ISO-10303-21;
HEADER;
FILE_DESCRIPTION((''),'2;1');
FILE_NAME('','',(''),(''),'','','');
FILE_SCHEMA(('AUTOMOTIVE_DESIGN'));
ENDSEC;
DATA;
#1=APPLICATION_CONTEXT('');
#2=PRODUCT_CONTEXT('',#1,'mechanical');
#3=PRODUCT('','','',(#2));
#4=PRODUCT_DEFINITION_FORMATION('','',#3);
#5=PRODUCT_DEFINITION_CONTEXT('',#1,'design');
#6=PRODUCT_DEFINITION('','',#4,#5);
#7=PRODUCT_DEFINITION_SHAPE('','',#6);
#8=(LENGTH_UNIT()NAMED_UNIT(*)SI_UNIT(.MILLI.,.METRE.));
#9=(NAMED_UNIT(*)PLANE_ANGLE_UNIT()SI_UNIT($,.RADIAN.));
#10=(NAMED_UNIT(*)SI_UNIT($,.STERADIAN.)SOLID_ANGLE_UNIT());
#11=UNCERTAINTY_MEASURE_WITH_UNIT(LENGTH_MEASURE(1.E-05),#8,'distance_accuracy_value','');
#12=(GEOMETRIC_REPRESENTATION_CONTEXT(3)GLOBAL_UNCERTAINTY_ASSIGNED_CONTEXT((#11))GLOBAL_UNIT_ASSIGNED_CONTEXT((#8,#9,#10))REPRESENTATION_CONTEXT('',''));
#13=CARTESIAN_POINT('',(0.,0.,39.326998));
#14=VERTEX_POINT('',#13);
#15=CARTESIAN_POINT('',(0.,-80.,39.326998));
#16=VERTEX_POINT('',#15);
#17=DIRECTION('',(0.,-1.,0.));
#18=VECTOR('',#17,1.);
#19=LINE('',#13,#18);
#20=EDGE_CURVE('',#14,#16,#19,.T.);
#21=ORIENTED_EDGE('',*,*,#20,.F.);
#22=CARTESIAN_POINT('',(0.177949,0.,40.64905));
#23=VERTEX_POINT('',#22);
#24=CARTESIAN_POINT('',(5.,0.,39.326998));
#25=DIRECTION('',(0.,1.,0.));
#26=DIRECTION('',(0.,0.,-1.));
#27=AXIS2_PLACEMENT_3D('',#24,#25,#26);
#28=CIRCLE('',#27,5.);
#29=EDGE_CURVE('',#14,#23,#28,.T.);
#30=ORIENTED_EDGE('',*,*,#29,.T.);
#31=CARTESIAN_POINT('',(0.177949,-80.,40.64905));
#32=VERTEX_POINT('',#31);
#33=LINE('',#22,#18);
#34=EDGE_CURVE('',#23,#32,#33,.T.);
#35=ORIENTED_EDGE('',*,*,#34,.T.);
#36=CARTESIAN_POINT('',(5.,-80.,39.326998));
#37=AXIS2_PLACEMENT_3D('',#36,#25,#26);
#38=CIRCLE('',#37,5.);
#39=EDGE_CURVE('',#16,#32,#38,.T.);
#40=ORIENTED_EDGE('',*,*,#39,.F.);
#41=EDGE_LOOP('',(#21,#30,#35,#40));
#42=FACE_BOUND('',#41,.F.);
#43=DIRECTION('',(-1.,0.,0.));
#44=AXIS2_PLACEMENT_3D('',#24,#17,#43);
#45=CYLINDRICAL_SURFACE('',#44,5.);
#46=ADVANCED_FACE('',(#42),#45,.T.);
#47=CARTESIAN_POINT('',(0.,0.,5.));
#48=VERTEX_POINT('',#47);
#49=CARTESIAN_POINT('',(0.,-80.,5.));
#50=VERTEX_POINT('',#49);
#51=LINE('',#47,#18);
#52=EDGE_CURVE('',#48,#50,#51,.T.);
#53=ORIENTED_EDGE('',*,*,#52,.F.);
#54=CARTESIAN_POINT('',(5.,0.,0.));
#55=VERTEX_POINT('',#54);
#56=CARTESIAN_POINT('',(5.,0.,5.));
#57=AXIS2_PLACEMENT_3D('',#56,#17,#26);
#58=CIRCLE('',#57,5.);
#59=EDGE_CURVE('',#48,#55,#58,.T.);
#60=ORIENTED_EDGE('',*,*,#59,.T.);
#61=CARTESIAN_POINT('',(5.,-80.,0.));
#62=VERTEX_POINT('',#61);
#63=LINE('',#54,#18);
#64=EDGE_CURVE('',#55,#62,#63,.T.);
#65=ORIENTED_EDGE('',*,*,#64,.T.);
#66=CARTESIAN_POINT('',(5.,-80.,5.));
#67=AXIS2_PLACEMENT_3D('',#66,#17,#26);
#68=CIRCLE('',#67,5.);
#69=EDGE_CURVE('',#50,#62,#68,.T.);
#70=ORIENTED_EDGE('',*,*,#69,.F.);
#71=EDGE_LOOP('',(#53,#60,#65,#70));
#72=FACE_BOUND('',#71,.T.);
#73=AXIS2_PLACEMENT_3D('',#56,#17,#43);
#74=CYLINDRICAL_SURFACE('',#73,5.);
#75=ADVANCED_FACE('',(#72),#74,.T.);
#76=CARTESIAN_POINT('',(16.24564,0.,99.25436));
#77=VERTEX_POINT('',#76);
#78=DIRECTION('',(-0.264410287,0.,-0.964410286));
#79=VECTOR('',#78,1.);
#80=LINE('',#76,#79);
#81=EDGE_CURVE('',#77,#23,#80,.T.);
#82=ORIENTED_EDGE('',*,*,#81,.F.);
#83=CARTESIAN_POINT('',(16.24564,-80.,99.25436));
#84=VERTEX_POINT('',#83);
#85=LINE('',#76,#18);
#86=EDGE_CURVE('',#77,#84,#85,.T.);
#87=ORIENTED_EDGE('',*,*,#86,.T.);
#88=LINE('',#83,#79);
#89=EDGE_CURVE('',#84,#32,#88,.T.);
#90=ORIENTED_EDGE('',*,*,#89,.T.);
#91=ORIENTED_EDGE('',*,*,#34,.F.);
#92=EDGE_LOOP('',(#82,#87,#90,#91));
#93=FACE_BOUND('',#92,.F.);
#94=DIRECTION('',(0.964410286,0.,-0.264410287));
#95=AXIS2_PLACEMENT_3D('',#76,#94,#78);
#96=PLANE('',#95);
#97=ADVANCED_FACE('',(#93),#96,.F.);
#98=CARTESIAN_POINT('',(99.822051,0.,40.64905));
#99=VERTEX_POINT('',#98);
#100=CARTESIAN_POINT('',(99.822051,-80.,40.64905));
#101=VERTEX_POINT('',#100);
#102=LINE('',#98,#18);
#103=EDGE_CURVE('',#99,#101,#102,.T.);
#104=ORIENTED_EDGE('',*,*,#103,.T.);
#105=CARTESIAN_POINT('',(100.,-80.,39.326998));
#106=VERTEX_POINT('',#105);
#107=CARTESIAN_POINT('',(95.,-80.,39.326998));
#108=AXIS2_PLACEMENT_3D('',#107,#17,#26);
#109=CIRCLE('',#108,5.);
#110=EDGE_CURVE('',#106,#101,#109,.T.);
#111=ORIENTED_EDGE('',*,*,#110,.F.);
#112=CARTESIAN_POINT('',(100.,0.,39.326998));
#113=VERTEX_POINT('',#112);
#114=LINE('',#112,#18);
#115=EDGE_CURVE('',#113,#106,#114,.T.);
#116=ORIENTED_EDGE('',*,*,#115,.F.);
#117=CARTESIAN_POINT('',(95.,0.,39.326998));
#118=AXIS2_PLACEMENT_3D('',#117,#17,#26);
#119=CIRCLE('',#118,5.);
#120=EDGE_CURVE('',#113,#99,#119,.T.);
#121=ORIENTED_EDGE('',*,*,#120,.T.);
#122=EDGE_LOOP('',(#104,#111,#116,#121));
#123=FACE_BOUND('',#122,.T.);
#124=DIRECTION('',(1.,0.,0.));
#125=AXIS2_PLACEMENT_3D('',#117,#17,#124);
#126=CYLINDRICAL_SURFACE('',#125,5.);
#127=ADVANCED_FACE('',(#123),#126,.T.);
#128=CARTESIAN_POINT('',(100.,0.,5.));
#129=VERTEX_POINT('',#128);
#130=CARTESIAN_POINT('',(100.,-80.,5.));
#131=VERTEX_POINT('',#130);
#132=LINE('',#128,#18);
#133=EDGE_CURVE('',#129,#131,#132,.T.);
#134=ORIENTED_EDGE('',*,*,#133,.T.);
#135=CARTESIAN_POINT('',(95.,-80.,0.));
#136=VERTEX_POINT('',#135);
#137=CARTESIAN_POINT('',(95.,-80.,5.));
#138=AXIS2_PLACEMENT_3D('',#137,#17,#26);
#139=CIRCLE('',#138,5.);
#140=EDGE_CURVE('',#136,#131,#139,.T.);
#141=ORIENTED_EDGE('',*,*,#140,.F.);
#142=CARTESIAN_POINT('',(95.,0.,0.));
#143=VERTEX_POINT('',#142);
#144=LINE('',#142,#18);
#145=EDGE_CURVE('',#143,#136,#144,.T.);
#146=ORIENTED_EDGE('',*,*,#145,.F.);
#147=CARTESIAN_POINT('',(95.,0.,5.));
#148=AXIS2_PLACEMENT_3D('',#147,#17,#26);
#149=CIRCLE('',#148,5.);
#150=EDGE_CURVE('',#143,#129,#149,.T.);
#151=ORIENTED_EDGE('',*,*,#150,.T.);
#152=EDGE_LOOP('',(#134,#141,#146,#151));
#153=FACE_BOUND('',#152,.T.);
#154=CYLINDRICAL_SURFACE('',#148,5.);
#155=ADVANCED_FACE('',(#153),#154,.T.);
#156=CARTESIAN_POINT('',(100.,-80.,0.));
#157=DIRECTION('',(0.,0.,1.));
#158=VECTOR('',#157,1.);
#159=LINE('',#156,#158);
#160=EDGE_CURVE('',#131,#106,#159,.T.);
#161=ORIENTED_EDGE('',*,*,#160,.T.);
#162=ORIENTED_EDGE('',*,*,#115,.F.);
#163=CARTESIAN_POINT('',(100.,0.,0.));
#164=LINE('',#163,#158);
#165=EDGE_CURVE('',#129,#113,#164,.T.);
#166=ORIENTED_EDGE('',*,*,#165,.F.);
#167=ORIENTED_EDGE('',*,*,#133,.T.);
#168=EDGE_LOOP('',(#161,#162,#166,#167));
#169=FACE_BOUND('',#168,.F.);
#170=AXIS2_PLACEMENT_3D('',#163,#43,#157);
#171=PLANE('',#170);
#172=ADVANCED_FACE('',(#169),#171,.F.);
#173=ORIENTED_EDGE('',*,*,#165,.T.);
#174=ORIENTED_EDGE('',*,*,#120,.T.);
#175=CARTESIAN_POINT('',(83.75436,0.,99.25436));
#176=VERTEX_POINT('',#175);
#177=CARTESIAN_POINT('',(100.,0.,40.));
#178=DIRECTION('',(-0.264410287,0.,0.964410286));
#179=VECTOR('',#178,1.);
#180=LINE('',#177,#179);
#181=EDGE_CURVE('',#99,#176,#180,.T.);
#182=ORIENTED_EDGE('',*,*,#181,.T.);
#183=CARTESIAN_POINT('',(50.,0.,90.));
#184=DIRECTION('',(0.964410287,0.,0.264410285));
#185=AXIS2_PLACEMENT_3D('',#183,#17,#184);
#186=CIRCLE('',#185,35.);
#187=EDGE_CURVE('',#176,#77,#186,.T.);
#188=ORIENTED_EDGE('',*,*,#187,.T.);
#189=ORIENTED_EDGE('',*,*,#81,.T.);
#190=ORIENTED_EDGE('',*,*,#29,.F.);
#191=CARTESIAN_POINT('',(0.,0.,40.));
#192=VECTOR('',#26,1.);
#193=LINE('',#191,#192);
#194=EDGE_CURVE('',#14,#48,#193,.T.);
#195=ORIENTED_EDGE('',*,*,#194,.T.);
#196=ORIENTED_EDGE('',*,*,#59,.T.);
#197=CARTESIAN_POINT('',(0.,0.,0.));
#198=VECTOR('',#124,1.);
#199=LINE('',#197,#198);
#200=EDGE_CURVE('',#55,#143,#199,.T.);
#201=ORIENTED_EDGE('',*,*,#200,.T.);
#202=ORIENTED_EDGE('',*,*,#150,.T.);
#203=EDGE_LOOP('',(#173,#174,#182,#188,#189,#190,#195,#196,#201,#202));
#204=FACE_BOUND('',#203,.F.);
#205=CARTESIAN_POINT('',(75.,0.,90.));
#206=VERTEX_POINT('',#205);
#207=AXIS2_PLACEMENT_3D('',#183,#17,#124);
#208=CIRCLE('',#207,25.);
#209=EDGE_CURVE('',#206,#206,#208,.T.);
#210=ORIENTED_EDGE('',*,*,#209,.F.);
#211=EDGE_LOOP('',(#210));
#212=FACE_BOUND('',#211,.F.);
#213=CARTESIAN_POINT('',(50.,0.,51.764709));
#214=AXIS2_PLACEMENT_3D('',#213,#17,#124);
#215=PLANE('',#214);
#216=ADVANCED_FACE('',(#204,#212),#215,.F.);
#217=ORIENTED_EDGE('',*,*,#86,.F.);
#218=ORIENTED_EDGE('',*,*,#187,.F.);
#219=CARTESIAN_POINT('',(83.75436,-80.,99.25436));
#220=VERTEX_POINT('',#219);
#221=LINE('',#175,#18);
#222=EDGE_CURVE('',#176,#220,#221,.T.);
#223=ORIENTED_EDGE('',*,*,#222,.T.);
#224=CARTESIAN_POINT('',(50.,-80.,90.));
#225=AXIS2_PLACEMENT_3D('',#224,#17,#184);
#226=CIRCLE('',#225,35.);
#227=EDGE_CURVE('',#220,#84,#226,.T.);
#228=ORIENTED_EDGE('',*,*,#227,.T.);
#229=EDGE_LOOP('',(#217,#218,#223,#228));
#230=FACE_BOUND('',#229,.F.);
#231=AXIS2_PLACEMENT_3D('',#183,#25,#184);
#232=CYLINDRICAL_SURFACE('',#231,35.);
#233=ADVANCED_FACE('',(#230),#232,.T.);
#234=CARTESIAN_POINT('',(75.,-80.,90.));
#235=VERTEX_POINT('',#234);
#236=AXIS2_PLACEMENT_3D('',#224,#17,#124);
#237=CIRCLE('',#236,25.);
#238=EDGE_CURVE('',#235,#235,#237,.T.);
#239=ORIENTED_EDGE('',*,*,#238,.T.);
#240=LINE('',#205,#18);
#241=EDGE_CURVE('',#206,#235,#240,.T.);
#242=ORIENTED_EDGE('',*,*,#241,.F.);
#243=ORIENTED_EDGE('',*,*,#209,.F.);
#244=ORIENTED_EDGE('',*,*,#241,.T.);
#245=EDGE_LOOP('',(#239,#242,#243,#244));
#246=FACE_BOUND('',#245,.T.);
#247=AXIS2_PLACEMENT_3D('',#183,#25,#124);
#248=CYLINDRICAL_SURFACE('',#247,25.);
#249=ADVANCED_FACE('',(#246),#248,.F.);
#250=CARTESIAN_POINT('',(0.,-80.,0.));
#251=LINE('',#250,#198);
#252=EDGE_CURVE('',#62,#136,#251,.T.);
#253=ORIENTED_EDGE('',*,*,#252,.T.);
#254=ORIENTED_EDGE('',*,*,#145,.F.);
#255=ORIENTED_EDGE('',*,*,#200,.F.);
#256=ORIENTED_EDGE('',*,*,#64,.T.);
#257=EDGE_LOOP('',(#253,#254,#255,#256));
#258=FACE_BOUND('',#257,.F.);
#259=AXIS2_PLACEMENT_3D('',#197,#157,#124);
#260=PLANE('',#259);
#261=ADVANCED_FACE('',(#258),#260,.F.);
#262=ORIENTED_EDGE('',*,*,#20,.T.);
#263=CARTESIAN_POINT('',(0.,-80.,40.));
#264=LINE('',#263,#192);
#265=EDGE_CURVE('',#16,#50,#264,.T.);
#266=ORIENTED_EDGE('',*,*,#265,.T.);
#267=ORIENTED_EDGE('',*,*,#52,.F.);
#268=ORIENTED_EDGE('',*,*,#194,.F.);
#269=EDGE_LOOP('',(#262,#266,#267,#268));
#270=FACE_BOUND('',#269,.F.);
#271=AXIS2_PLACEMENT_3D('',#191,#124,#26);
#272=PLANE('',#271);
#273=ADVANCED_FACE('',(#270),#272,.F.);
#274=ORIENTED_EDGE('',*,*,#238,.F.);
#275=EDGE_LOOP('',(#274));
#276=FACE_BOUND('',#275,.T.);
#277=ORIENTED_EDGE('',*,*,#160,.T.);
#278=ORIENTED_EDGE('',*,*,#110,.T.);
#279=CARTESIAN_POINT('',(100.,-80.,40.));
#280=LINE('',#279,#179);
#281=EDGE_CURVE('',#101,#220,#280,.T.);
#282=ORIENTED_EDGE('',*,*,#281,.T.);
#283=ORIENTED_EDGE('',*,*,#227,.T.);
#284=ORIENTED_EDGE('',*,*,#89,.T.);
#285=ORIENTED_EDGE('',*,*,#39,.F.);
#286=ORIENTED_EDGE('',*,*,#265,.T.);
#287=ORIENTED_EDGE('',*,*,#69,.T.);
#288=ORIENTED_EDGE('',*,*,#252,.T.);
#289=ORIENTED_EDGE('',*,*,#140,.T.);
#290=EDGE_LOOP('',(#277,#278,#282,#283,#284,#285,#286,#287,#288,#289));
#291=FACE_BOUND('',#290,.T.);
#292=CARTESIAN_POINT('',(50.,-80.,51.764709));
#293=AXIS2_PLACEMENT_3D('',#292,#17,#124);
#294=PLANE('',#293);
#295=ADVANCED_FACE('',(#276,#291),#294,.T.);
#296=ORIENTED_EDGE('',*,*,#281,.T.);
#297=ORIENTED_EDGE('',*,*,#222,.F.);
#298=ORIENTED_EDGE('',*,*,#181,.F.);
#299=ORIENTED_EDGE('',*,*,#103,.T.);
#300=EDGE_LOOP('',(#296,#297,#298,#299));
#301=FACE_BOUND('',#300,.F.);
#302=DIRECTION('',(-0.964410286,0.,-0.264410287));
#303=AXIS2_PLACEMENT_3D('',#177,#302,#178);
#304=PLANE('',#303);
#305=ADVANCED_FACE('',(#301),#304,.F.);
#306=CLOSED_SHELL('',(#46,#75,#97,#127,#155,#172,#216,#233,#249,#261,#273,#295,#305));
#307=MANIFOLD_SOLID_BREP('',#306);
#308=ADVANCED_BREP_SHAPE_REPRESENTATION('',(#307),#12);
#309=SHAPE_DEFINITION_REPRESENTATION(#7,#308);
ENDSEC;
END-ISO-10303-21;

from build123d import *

# Parameters (mm, degrees)
F0_R     = 25
F1_DEPTH = 80
F2_R     = 5


with BuildPart() as f1:
    # F0 (on Front) → F1 (new body)
    with BuildSketch(Plane.XZ):
        with BuildLine():
            Line((0, 40), (0, 0))
            Line((0, 0), (100, 0))
            Line((100, 0), (100, 40))
            Line((100, 40), (83.75436, 99.25436))
            ThreePointArc((83.75436, 99.25436), (50, 125), (16.24564, 99.25436))
            Line((16.24564, 99.25436), (0, 40))
        make_face()
        with Locations((50, 90)):
            Circle(F0_R, mode=Mode.SUBTRACT)
    extrude(amount=F1_DEPTH)

    # F2
    f2_edges = [f1.edges().sort_by_distance(p)[0] for p in [
        (0, -40, 40),
        (100, -40, 40),
        (100, -40, 0),
        (0, -40, 0),
    ]]
    fillet(f2_edges, radius=F2_R)


solid = f1.part
